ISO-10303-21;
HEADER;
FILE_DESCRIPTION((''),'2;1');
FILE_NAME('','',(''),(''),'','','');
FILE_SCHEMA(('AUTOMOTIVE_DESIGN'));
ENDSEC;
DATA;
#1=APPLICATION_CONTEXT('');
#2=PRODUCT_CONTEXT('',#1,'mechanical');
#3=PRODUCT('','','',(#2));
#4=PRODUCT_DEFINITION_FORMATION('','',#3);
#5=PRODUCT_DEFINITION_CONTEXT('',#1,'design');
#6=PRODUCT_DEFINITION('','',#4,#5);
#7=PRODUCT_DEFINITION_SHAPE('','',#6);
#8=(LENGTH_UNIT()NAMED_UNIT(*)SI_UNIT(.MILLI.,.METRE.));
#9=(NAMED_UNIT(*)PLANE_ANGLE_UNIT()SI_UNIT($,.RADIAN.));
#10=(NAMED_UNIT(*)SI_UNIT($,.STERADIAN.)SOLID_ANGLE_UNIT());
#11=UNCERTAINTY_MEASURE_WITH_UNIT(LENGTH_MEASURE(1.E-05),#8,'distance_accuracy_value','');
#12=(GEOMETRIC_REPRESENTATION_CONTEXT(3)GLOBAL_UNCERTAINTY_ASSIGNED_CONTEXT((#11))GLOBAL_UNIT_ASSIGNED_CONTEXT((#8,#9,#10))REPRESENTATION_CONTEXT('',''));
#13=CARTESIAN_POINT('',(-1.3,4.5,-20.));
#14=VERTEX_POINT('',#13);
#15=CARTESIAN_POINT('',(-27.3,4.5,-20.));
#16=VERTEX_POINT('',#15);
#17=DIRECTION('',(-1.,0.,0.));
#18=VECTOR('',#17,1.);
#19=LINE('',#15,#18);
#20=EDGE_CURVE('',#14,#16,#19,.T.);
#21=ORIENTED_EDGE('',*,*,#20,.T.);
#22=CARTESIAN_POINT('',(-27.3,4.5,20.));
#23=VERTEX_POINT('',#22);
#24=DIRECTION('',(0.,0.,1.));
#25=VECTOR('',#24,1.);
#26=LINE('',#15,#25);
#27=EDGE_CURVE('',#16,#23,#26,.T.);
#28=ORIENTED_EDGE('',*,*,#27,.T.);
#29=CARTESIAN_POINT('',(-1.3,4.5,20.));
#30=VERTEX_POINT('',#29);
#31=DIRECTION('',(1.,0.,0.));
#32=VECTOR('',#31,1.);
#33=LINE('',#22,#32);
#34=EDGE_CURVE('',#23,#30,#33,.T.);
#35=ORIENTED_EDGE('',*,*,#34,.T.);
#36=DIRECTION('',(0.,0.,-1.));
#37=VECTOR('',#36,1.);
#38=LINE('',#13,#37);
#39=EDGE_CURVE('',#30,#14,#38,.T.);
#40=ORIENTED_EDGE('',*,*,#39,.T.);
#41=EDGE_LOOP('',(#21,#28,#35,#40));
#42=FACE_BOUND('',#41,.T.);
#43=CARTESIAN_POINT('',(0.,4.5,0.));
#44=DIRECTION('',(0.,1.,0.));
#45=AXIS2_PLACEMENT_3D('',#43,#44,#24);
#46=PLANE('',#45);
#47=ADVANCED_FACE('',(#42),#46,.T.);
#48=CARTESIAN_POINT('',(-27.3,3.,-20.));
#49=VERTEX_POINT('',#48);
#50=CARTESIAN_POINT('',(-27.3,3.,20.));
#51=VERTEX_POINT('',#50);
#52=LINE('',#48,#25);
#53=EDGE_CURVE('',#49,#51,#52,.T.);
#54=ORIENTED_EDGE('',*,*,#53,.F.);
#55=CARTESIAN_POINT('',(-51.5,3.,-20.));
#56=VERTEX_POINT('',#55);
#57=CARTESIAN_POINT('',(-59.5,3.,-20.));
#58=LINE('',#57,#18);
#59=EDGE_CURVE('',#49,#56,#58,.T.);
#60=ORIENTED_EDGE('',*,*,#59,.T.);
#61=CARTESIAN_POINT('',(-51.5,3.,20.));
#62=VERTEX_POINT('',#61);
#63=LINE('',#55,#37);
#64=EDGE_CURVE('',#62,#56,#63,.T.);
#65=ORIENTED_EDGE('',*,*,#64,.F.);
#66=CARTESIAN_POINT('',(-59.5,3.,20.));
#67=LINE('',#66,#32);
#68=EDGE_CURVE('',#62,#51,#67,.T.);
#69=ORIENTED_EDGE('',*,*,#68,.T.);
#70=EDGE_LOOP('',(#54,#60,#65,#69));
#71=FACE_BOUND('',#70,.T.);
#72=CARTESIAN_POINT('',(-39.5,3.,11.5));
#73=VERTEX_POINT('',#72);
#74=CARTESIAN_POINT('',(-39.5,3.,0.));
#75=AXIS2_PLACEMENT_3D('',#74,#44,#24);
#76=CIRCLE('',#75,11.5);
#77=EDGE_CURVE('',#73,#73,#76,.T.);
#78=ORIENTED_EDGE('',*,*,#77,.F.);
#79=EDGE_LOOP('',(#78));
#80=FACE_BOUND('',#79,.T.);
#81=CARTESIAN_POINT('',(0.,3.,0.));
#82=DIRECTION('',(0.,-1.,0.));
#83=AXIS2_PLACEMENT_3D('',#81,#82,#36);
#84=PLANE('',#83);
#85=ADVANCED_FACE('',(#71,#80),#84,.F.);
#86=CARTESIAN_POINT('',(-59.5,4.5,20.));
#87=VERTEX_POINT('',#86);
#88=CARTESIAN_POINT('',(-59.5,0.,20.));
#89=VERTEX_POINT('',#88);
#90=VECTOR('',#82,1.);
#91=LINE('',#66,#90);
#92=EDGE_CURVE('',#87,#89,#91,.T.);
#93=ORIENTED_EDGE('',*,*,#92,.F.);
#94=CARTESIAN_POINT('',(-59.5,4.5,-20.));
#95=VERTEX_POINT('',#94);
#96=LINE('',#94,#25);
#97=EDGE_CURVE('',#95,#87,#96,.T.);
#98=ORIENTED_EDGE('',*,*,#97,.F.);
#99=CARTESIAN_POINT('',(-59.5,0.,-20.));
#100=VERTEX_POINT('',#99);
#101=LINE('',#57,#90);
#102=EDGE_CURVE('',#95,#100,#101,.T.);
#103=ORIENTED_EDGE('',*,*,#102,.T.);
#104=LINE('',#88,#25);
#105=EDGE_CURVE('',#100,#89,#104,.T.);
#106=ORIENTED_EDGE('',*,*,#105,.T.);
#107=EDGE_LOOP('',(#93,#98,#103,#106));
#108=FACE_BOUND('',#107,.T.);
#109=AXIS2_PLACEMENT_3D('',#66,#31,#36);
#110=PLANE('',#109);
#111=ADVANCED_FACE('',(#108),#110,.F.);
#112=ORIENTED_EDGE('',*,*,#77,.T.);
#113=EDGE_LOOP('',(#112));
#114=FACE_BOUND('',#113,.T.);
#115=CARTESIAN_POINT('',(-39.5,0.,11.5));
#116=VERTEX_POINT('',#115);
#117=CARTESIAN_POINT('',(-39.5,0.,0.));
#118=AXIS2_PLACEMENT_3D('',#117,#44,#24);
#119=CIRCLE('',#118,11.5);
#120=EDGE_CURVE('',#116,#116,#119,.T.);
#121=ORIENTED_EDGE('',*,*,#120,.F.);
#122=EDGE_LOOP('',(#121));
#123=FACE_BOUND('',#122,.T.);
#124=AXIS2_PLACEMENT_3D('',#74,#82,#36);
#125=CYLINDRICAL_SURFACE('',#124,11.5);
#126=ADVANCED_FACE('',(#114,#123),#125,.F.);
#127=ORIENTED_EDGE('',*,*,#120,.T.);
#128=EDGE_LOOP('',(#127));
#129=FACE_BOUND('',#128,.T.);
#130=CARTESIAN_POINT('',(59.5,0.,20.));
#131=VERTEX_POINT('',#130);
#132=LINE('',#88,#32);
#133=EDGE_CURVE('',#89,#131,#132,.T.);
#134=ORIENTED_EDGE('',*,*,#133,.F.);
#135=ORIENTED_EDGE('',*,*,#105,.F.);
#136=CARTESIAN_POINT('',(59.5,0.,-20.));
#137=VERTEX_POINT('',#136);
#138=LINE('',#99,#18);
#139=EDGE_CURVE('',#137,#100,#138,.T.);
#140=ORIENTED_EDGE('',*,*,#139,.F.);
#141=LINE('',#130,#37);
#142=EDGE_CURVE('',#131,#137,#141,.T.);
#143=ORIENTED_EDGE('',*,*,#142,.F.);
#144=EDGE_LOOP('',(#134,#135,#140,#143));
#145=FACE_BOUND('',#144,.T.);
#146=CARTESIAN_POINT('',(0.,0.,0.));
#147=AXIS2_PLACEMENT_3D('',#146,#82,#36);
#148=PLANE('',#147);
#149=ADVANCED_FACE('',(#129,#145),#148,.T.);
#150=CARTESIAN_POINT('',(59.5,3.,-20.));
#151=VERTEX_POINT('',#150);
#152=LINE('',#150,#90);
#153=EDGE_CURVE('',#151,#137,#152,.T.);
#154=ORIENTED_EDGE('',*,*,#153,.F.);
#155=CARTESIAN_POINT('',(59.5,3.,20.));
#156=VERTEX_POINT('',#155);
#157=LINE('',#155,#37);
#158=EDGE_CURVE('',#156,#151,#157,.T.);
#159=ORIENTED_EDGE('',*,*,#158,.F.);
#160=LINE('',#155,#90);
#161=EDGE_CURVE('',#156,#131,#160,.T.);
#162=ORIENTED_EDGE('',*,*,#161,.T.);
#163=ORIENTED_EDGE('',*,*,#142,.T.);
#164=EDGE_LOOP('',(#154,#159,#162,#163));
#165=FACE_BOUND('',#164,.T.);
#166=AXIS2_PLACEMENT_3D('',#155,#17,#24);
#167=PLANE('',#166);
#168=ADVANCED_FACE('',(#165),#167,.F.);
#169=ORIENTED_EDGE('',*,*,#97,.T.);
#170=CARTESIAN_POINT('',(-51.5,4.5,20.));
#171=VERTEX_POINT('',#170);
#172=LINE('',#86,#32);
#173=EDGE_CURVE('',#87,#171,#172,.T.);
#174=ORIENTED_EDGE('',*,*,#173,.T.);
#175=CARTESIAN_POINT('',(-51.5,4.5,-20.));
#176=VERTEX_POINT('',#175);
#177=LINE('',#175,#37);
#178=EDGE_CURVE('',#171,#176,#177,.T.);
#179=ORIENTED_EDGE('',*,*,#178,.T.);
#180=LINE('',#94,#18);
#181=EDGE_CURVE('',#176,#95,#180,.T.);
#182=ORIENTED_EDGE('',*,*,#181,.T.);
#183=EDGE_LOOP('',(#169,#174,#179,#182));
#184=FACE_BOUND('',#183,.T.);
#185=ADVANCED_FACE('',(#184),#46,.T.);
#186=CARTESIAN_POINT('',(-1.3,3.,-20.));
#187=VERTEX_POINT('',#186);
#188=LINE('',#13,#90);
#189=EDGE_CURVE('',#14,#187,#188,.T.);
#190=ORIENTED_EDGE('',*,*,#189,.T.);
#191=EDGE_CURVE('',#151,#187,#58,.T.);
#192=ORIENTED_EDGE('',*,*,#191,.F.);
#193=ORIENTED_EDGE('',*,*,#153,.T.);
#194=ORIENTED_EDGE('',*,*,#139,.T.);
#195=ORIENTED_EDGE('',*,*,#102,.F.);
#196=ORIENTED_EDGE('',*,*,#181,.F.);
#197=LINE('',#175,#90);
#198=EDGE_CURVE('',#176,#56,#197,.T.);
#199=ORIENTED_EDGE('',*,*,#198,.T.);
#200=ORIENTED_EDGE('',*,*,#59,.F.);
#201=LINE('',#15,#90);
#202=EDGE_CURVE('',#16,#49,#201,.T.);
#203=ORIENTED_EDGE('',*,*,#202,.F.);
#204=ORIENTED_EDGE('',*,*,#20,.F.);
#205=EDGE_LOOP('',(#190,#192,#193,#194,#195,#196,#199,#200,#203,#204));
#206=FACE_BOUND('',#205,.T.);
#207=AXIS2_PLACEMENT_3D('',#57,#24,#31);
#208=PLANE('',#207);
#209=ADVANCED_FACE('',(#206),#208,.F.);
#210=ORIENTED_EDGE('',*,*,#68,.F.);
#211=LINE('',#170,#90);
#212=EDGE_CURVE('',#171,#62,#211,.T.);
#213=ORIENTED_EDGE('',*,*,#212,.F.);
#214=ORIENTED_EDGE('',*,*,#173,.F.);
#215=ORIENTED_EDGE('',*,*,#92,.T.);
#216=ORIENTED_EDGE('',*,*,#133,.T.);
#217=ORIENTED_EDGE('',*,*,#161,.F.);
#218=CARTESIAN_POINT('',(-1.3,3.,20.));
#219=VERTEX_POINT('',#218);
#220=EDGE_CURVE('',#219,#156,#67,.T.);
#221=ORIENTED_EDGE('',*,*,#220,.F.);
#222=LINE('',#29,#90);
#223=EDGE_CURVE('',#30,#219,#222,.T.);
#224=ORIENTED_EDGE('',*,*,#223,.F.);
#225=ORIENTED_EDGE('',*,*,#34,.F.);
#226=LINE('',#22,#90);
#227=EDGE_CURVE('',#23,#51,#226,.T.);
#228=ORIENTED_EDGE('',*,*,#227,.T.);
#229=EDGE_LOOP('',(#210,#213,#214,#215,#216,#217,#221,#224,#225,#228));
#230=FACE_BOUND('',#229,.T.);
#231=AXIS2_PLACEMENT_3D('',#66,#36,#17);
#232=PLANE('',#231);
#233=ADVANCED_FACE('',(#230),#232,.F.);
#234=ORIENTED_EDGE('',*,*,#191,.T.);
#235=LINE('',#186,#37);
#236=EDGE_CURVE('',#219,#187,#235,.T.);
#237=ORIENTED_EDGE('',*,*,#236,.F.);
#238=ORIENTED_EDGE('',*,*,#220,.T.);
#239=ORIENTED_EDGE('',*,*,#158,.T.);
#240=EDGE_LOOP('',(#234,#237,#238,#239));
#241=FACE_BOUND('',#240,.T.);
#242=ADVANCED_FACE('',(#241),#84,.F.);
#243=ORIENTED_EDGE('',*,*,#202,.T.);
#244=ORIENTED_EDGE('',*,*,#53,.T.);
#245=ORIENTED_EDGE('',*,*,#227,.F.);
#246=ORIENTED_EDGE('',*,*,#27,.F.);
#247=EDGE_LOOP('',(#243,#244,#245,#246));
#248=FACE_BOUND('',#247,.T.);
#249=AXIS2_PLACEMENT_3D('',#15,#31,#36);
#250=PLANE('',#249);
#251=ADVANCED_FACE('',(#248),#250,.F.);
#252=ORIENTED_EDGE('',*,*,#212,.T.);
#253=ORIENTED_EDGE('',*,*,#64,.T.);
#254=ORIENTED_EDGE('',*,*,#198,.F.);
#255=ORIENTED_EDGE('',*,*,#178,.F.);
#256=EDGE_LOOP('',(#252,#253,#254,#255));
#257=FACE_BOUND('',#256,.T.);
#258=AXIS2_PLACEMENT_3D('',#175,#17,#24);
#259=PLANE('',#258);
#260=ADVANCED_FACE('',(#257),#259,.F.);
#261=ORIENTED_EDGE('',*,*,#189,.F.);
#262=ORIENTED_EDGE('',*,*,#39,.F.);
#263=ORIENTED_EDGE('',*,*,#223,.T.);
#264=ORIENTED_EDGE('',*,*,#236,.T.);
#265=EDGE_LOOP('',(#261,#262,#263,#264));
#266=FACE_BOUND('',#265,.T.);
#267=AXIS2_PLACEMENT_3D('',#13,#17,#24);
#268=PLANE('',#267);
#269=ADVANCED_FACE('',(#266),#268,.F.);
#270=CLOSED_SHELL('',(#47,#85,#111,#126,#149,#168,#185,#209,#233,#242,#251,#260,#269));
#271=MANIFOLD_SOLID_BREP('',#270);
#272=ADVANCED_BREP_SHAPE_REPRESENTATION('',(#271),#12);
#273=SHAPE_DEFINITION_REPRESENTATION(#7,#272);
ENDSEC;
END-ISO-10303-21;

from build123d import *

# Parameters (mm, degrees)
SKETCH1_W           = 119
SKETCH1_H           = 40
SKETCH1_R           = 11.5
BOSS_EXTRUDE1_DEPTH = 3
SKETCH2_W           = 26
SKETCH2_H           = 40
SKETCH2_W_2         = 8
BOSS_EXTRUDE2_DEPTH = 1.5


with BuildPart() as part:
    # Sketch1 → Boss-Extrude1 (new body)
    with BuildSketch(Plane(origin=(0, 0, 0), x_dir=(1, 0, 0), z_dir=(0, 1, 0))):
        Rectangle(SKETCH1_W, SKETCH1_H)
        with Locations((-39.5, 0)):
            Circle(SKETCH1_R, mode=Mode.SUBTRACT)
    extrude(amount=BOSS_EXTRUDE1_DEPTH)

    # Sketch2 → Boss-Extrude2 (add)
    with BuildSketch(Plane(origin=(0, 3, 0), x_dir=(1, 0, 0), z_dir=(0, 1, 0))):
        with Locations((-14.3, 0)):
            Rectangle(SKETCH2_W, SKETCH2_H)
        with Locations((-55.5, 0)):
            Rectangle(SKETCH2_W_2, SKETCH2_H)
    extrude(amount=BOSS_EXTRUDE2_DEPTH)


solid = part.part
